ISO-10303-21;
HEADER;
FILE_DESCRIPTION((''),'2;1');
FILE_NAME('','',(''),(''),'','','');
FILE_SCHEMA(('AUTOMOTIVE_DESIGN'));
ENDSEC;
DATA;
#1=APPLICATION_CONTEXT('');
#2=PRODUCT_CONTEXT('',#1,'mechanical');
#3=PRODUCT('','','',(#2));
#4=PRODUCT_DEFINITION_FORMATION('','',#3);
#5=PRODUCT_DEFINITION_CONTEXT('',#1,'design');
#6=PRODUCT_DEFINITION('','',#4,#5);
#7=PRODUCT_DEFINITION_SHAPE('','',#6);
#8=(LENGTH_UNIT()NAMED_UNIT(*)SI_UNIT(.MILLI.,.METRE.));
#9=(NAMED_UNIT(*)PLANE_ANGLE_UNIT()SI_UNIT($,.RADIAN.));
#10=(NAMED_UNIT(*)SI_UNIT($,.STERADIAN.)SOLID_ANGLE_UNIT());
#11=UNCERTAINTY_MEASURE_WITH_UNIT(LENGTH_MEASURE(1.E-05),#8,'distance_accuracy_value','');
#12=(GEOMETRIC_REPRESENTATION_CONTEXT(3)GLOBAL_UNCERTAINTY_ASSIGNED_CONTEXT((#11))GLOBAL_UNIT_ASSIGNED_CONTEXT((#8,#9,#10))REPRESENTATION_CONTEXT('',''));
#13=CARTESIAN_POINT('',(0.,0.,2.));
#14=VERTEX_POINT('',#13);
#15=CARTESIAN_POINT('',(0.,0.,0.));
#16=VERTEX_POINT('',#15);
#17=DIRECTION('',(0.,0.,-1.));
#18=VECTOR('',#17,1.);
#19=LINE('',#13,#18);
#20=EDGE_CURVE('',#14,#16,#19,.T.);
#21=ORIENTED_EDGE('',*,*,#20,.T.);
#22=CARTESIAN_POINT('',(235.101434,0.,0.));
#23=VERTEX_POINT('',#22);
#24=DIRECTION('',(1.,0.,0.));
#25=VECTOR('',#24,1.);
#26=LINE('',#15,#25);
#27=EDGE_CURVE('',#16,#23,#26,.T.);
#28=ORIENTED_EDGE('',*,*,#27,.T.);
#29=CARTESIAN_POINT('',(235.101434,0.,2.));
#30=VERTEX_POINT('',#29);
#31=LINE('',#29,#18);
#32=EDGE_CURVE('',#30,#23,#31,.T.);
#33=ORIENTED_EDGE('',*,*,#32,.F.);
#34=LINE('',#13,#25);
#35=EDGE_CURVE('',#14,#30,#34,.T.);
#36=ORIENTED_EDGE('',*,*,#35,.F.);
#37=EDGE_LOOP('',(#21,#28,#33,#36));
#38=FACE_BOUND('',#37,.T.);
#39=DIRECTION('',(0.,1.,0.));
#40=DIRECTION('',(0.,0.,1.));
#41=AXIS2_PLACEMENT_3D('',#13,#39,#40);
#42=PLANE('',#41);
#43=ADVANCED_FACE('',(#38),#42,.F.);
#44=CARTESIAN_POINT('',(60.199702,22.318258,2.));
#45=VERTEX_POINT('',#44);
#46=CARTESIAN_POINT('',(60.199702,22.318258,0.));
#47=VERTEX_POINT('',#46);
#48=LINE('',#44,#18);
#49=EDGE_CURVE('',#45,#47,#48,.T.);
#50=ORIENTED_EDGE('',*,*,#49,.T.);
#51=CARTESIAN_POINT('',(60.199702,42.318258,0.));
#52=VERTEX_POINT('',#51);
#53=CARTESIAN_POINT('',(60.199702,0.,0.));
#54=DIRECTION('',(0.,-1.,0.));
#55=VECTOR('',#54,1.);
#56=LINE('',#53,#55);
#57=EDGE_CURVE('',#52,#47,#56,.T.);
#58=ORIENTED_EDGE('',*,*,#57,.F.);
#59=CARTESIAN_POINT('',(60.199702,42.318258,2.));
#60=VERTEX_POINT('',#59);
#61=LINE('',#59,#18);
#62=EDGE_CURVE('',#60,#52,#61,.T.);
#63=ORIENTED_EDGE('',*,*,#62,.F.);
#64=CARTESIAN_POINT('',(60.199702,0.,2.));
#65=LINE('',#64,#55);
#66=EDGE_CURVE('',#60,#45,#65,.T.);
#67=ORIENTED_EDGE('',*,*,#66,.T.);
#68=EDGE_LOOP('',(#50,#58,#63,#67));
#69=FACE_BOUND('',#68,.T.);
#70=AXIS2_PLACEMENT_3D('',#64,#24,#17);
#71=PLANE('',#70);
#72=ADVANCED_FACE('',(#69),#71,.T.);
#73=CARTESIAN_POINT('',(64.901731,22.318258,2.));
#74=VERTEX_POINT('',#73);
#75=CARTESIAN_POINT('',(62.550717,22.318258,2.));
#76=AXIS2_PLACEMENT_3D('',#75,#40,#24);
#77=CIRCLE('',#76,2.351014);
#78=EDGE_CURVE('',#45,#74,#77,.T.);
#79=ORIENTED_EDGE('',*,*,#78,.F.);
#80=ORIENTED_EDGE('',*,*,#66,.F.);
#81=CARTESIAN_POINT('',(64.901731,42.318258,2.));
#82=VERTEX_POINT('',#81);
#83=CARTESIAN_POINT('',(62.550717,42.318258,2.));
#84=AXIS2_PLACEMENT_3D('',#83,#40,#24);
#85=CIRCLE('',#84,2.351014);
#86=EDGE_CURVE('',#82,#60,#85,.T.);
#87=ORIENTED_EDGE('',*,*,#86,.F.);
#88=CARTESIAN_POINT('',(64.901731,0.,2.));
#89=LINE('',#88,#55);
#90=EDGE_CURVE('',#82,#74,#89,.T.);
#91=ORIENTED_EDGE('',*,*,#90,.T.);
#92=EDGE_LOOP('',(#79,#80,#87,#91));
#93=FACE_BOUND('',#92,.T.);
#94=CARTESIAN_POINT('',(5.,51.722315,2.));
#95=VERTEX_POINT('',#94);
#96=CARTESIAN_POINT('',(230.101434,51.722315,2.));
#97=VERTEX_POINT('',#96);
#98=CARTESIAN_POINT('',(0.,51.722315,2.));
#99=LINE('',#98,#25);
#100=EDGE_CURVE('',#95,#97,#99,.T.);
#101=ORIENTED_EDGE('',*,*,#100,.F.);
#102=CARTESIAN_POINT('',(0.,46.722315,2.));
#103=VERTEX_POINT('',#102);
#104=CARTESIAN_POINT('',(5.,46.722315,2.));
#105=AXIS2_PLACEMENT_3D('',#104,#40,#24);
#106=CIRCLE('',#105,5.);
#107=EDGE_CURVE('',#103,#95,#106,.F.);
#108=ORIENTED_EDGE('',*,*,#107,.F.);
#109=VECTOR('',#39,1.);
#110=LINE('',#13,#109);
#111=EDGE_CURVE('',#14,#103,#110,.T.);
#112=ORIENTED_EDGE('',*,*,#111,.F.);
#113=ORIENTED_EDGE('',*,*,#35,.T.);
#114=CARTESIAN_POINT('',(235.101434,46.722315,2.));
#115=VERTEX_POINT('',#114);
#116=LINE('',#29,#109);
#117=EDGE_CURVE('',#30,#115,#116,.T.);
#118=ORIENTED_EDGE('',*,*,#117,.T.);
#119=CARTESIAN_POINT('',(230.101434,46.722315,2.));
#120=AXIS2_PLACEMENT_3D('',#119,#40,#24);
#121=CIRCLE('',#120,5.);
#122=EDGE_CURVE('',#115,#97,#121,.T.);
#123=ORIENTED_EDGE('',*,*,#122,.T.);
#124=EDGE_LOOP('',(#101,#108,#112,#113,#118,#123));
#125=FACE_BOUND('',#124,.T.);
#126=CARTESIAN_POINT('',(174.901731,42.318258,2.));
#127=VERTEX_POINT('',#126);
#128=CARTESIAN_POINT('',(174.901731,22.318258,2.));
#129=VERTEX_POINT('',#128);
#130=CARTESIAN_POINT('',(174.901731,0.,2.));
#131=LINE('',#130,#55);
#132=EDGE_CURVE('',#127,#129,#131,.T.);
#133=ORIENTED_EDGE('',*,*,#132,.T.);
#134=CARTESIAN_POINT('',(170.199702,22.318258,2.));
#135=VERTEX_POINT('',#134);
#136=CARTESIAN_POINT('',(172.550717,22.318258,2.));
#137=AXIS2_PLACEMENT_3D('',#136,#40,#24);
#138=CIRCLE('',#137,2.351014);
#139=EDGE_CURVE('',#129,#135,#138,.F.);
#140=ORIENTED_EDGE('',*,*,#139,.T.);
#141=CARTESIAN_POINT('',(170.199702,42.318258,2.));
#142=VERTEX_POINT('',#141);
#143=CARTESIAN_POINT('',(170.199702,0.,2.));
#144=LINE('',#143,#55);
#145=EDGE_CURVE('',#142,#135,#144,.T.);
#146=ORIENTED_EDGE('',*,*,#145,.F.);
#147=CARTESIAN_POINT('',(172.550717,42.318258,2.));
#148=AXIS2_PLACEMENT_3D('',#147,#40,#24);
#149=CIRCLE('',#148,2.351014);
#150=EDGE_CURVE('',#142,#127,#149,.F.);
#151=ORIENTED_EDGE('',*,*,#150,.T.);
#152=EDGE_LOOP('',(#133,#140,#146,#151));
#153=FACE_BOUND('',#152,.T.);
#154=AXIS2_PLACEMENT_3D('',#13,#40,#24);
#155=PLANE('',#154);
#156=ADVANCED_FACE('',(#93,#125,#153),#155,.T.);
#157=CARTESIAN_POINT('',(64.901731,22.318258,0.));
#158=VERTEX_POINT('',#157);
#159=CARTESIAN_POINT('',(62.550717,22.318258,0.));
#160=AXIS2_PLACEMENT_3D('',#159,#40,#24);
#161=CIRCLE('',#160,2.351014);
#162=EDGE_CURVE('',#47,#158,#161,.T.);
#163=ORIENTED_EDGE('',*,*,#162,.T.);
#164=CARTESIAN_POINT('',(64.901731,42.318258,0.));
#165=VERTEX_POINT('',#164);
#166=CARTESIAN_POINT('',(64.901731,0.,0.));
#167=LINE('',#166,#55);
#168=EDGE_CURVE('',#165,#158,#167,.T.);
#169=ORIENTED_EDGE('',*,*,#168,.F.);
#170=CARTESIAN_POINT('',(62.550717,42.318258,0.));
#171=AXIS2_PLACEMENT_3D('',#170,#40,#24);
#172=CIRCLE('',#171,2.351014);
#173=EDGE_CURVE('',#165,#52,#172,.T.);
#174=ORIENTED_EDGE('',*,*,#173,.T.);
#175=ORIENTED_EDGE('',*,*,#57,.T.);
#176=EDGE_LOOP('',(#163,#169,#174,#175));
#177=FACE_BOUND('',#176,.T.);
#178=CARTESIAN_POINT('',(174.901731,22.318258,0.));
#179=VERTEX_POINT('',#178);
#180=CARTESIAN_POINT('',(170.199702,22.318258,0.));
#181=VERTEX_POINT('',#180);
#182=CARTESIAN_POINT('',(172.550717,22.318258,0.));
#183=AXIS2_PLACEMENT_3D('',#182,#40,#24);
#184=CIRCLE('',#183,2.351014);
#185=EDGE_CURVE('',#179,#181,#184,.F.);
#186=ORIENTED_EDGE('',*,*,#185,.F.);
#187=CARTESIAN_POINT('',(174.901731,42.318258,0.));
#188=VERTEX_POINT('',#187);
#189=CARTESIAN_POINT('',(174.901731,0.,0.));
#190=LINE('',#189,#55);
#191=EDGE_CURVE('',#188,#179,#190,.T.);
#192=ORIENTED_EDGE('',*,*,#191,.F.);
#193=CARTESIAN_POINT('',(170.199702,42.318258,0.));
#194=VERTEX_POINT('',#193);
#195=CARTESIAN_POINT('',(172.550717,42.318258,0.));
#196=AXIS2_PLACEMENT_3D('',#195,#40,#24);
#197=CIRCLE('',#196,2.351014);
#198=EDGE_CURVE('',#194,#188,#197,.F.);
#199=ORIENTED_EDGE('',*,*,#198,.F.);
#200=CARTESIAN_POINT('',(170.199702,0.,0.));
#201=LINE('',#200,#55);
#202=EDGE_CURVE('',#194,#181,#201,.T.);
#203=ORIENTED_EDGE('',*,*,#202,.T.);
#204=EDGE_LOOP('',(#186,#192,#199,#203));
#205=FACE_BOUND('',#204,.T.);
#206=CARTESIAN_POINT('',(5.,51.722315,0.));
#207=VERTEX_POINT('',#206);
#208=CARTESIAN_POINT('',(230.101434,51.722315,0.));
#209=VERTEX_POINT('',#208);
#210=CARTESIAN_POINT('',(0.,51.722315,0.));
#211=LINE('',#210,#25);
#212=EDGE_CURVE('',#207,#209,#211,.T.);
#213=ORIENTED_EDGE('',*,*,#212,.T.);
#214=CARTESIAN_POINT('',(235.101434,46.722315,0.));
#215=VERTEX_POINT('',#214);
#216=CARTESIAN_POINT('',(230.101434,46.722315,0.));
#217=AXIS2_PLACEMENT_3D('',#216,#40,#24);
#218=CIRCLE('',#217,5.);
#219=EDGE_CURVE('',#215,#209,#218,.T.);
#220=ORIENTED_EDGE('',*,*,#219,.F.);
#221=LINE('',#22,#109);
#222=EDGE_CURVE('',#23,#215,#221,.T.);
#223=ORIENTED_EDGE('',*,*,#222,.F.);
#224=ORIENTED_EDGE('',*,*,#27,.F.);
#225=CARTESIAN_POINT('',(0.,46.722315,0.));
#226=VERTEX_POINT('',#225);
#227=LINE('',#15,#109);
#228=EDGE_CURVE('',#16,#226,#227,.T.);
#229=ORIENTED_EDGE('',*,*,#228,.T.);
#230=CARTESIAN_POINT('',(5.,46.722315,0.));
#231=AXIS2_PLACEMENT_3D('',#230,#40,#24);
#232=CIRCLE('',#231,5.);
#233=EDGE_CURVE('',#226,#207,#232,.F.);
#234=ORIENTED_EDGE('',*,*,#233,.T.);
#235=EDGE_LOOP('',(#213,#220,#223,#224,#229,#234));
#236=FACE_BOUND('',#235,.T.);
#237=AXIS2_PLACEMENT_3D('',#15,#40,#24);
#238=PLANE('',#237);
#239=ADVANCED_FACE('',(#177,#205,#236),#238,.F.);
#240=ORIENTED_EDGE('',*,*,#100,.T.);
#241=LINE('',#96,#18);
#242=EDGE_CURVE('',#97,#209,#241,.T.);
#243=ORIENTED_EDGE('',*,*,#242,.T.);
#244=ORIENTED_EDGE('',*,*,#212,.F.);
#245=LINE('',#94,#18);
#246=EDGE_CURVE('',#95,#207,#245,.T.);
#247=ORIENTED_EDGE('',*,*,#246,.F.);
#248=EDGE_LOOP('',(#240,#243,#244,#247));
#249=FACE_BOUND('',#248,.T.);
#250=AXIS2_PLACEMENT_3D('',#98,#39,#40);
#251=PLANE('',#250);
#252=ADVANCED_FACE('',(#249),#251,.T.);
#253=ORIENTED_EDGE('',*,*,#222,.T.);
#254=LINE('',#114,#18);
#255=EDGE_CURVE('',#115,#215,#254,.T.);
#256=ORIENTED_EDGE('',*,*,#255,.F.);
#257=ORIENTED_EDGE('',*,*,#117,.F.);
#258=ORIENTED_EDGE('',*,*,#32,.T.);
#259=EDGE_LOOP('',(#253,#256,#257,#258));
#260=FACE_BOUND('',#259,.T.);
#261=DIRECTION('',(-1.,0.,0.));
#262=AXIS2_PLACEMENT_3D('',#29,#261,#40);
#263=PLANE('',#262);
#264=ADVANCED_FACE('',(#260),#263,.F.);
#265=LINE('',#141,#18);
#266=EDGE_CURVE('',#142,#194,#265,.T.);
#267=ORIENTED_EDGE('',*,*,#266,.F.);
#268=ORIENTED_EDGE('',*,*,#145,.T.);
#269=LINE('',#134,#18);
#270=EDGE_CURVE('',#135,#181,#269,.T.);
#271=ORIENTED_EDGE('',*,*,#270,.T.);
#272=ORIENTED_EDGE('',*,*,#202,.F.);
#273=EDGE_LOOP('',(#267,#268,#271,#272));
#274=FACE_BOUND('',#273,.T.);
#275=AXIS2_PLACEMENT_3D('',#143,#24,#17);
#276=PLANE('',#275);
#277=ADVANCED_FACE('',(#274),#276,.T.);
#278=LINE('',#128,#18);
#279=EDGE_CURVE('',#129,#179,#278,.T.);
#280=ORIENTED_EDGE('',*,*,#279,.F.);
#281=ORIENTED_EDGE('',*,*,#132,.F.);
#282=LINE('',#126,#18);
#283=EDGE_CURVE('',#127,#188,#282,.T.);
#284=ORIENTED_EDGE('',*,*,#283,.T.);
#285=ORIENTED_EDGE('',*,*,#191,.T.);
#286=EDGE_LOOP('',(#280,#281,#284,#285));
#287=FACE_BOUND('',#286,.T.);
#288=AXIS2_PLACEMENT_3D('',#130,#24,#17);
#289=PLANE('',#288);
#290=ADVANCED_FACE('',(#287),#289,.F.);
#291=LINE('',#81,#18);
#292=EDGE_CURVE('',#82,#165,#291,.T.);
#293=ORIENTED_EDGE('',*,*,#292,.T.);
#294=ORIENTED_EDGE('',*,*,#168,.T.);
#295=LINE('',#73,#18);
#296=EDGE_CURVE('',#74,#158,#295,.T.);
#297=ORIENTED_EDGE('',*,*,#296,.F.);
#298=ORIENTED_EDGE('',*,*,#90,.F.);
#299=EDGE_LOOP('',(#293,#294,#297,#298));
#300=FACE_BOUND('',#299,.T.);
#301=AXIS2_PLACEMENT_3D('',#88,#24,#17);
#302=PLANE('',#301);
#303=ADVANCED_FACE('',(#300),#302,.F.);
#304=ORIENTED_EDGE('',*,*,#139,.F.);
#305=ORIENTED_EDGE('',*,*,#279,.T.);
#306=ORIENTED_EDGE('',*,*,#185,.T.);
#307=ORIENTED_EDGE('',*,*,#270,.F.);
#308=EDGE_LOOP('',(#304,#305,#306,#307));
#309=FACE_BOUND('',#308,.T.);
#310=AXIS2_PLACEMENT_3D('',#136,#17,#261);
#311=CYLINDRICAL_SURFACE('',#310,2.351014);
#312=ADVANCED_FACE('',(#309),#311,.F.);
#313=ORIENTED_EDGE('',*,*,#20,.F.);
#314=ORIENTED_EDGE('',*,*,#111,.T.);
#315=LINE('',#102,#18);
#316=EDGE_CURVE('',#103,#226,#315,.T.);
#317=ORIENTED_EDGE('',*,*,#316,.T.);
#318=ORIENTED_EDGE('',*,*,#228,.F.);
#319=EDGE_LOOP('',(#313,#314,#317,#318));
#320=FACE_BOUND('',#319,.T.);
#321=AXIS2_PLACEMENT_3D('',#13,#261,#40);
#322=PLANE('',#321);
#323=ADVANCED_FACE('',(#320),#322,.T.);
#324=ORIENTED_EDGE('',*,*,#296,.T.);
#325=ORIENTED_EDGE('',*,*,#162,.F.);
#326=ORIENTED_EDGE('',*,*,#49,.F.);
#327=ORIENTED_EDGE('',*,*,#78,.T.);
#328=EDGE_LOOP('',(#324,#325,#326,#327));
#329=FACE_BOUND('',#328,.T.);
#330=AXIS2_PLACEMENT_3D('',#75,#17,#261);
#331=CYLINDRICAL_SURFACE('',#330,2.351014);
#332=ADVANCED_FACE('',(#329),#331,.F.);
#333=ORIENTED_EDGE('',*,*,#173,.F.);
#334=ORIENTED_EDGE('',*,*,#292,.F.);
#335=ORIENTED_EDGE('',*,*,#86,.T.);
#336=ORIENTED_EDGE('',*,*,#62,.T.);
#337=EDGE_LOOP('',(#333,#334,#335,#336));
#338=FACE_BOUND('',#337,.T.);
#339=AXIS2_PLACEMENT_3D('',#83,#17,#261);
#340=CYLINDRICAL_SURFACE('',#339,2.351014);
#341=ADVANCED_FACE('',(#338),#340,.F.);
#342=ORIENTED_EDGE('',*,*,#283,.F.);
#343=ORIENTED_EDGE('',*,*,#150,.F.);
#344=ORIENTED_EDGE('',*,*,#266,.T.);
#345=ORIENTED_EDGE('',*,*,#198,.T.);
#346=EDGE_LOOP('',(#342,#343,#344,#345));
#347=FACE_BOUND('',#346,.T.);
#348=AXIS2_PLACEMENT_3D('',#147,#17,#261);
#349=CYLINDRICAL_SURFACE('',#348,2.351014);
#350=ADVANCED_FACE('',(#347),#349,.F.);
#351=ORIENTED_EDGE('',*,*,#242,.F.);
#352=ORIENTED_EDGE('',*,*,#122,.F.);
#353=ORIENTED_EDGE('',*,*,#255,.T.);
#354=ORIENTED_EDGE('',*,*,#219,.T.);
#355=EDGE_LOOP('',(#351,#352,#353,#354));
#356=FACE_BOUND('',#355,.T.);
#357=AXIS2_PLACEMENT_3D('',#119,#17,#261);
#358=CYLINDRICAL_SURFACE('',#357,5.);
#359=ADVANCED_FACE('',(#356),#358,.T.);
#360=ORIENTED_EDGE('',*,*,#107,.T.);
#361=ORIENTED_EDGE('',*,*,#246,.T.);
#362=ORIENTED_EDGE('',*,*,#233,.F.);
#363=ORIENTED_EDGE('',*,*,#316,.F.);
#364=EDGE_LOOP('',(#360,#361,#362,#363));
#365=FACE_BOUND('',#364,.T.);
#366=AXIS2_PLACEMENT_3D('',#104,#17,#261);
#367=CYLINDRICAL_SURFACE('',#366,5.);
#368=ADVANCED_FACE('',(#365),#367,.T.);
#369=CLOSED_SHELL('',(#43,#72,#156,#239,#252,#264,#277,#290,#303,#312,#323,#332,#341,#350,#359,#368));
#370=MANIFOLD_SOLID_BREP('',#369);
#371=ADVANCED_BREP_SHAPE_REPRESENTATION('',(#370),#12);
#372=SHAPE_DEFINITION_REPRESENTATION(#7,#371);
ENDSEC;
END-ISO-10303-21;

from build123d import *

# Parameters (mm, degrees)
EXTRUDE_1_DEPTH = 2


with BuildPart() as part:
    # 草图1 → 凸台-拉伸1 (new body)
    with BuildSketch(Plane.XY):
        with BuildLine():
            Line((0, 0), (235.10143352, 0))
            Line((235.10143352, 0), (235.10143352, 46.722315374))
            ThreePointArc((235.10143352, 46.722315374), (233.636967425, 50.25784928), (230.10143352, 51.722315374))
            Line((230.10143352, 51.722315374), (5, 51.722315374))
            ThreePointArc((5, 51.722315374), (1.464466094, 50.25784928), (0, 46.722315374))
            Line((0, 46.722315374), (0, 0))
        make_face()
        with BuildLine():
            Line((60.199702425, 42.318258034), (60.199702425, 22.318258034))
            ThreePointArc((60.199702425, 22.318258034), (62.55071676, 19.967243698), (64.901731095, 22.318258034))
            Line((64.901731095, 22.318258034), (64.901731095, 42.318258034))
            ThreePointArc((64.901731095, 42.318258034), (62.55071676, 44.669272369), (60.199702425, 42.318258034))
        make_face(mode=Mode.SUBTRACT)
        with BuildLine():
            Line((170.199702425, 42.318258034), (170.199702425, 22.318258034))
            ThreePointArc((170.199702425, 22.318258034), (172.55071676, 19.967243698), (174.901731095, 22.318258034))
            Line((174.901731095, 22.318258034), (174.901731095, 42.318258034))
            ThreePointArc((174.901731095, 42.318258034), (172.55071676, 44.669272369), (170.199702425, 42.318258034))
        make_face(mode=Mode.SUBTRACT)
    extrude(amount=EXTRUDE_1_DEPTH)


solid = part.part
